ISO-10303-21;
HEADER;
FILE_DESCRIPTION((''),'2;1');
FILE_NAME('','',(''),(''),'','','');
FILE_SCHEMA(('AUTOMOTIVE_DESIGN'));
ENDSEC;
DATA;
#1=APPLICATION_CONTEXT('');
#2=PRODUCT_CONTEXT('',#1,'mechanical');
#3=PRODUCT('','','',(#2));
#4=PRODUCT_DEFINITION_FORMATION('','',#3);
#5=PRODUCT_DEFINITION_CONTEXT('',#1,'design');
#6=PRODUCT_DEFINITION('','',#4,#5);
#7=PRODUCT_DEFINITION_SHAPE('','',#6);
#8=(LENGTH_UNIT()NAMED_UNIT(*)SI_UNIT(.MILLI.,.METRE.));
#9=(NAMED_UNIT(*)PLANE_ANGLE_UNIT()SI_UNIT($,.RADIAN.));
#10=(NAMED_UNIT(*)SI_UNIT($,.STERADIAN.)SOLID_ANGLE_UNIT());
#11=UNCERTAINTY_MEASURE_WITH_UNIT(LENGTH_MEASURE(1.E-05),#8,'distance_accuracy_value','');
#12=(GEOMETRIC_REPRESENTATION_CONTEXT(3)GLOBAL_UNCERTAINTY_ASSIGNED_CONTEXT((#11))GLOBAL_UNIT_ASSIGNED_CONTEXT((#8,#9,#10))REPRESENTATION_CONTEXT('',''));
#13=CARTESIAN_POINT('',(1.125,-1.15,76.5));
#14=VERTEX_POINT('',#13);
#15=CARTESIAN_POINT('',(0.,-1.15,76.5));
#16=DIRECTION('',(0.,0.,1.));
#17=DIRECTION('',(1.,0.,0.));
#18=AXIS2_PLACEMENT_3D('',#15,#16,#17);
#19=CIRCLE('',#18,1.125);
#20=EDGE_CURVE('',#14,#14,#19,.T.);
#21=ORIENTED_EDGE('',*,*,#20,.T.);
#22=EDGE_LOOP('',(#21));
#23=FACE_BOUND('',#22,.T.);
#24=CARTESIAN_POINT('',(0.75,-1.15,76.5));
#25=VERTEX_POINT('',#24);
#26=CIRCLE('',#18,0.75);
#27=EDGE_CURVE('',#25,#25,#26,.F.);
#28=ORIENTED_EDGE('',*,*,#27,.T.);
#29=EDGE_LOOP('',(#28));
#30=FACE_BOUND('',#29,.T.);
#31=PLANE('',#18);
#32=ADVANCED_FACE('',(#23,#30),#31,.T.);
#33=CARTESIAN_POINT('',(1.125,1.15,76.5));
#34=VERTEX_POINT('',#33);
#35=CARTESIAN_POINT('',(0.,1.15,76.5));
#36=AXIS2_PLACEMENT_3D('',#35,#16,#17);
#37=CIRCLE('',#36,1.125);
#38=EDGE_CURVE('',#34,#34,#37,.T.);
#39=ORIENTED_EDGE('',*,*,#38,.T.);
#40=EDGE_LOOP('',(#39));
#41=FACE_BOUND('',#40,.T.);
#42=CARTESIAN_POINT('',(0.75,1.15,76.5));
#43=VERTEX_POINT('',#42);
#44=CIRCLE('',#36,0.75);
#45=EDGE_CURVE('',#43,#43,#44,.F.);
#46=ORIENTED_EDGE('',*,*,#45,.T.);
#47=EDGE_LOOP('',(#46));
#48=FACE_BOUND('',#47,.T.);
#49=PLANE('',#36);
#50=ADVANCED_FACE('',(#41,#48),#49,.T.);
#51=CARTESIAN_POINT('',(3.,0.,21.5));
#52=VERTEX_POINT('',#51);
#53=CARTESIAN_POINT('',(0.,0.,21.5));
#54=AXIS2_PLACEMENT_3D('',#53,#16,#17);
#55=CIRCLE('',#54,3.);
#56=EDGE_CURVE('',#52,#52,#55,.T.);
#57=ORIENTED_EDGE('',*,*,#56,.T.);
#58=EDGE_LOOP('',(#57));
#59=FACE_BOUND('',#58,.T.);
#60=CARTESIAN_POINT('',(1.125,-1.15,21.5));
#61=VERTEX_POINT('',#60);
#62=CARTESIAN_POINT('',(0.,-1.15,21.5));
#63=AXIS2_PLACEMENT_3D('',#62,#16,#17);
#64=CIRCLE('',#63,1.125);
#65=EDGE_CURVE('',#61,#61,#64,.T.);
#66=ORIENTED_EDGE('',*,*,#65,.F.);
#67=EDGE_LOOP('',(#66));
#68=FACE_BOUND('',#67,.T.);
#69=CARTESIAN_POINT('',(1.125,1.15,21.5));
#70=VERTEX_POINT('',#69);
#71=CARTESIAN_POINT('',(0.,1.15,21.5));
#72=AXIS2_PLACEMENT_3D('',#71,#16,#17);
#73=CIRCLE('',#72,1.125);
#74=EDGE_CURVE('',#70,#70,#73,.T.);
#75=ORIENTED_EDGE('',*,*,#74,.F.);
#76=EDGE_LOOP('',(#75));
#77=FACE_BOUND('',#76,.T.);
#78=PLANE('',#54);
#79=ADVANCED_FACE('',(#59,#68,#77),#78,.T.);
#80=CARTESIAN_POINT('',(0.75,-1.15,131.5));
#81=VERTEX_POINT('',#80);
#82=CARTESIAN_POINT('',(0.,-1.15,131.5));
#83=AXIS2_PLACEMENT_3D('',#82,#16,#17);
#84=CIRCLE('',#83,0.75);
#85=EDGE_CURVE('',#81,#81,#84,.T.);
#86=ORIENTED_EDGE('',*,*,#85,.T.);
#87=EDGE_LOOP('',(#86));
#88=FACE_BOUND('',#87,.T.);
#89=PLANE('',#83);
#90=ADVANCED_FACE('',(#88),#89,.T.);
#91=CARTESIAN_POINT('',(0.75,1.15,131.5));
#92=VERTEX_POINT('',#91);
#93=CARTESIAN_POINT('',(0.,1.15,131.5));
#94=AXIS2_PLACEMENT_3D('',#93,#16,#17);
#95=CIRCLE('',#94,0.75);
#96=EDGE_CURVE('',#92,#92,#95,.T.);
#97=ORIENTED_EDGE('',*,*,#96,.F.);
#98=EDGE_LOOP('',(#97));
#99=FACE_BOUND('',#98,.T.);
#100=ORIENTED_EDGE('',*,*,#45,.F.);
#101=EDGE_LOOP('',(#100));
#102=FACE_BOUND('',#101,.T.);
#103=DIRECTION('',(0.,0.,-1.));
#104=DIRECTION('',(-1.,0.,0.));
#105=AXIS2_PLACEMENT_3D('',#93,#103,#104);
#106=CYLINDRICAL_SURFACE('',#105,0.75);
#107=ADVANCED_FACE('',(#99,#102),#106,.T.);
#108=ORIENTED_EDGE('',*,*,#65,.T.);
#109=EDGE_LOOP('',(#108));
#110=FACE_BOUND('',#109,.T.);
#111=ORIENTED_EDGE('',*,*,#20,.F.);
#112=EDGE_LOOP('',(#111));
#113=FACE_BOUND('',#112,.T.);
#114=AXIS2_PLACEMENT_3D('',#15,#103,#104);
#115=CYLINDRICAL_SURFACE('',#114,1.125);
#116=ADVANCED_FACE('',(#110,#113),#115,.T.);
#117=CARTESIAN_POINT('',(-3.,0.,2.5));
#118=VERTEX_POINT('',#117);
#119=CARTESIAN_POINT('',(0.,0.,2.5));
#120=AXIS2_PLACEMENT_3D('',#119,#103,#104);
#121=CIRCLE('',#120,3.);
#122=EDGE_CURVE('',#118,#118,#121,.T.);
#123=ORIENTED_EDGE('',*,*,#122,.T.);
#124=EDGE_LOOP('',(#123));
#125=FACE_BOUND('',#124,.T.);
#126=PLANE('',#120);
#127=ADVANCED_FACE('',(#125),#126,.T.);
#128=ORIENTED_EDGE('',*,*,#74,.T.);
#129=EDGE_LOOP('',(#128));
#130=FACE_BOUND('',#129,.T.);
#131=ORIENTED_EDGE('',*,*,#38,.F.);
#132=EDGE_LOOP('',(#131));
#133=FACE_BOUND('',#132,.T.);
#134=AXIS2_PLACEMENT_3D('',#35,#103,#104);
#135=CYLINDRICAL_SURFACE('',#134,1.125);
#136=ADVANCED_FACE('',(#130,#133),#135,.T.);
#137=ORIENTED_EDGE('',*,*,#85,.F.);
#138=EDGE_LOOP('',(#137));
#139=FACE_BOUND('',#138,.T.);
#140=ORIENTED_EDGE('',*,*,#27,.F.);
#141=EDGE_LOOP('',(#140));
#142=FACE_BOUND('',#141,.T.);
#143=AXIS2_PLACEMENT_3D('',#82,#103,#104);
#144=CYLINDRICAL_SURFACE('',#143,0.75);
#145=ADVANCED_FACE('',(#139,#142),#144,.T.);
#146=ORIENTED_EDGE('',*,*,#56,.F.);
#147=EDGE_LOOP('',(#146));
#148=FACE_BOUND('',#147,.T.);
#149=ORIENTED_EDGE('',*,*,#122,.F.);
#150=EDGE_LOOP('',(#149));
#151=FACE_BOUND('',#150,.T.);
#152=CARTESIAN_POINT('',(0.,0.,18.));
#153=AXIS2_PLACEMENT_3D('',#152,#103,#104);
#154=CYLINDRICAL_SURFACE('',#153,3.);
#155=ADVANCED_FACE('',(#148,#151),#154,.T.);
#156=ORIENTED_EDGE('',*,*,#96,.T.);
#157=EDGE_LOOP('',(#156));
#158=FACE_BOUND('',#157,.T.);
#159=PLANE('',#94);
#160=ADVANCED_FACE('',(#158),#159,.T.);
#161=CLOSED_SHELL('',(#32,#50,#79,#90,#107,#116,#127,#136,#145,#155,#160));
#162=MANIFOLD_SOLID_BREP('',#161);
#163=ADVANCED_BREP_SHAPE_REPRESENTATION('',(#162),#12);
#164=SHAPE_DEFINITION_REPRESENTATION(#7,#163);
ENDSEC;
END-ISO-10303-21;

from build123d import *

# Parameters (mm, degrees)
CROQUIS1_R                   = 3
SALIENTE_EXTRUIR1_DEPTH      = 18
SALIENTE_EXTRUIR2_DEPTH      = 21.5
SALIENTE_EXTRUIR2_DEPTH_BACK = 1.5
CROQUIS1_2_R                 = 3
CROQUIS3_R                   = 3
CORTAR_EXTRUIR1_DEPTH        = 4
CROQUIS9_R                   = 1.125
SALIENTE_EXTRUIR3_DEPTH      = 55
CROQUIS10_R                  = 0.75
SALIENTE_EXTRUIR4_DEPTH      = 110


with BuildPart() as part:
    # Croquis1 → Saliente-Extruir1 (new body)
    with BuildSketch(Plane.XY):
        Circle(CROQUIS1_R)
    extrude(amount=SALIENTE_EXTRUIR1_DEPTH)

    # Croquis1<2> → Saliente-Extruir2 (add, two sides: drawn at the far end of the back side and taken through both)
    with BuildSketch(Plane.XY.offset(-SALIENTE_EXTRUIR2_DEPTH_BACK)):
        Circle(CROQUIS1_2_R)
    extrude(amount=SALIENTE_EXTRUIR2_DEPTH + SALIENTE_EXTRUIR2_DEPTH_BACK)

    # Croquis3 → Cortar-Extruir1 (cut)
    with BuildSketch(Plane(origin=(0, 0, -1.5), x_dir=(-1, 0, 0), z_dir=(0, 0, -1))):
        Circle(CROQUIS3_R)
    extrude(amount=-CORTAR_EXTRUIR1_DEPTH, mode=Mode.SUBTRACT)

    # Croquis9 → Saliente-Extruir3 (add)
    with BuildSketch(Plane.XY.offset(21.5)):
        with Locations((0, -1.15)):
            Circle(CROQUIS9_R)
        with Locations((0, 1.15)):
            Circle(CROQUIS9_R)
    extrude(amount=SALIENTE_EXTRUIR3_DEPTH)

    # Croquis10 → Saliente-Extruir4 (add)
    with BuildSketch(Plane.XY.offset(21.5)):
        with Locations((0, -1.15)):
            Circle(CROQUIS10_R)
        with Locations((0, 1.15)):
            Circle(CROQUIS10_R)
    extrude(amount=SALIENTE_EXTRUIR4_DEPTH)


solid = part.part
